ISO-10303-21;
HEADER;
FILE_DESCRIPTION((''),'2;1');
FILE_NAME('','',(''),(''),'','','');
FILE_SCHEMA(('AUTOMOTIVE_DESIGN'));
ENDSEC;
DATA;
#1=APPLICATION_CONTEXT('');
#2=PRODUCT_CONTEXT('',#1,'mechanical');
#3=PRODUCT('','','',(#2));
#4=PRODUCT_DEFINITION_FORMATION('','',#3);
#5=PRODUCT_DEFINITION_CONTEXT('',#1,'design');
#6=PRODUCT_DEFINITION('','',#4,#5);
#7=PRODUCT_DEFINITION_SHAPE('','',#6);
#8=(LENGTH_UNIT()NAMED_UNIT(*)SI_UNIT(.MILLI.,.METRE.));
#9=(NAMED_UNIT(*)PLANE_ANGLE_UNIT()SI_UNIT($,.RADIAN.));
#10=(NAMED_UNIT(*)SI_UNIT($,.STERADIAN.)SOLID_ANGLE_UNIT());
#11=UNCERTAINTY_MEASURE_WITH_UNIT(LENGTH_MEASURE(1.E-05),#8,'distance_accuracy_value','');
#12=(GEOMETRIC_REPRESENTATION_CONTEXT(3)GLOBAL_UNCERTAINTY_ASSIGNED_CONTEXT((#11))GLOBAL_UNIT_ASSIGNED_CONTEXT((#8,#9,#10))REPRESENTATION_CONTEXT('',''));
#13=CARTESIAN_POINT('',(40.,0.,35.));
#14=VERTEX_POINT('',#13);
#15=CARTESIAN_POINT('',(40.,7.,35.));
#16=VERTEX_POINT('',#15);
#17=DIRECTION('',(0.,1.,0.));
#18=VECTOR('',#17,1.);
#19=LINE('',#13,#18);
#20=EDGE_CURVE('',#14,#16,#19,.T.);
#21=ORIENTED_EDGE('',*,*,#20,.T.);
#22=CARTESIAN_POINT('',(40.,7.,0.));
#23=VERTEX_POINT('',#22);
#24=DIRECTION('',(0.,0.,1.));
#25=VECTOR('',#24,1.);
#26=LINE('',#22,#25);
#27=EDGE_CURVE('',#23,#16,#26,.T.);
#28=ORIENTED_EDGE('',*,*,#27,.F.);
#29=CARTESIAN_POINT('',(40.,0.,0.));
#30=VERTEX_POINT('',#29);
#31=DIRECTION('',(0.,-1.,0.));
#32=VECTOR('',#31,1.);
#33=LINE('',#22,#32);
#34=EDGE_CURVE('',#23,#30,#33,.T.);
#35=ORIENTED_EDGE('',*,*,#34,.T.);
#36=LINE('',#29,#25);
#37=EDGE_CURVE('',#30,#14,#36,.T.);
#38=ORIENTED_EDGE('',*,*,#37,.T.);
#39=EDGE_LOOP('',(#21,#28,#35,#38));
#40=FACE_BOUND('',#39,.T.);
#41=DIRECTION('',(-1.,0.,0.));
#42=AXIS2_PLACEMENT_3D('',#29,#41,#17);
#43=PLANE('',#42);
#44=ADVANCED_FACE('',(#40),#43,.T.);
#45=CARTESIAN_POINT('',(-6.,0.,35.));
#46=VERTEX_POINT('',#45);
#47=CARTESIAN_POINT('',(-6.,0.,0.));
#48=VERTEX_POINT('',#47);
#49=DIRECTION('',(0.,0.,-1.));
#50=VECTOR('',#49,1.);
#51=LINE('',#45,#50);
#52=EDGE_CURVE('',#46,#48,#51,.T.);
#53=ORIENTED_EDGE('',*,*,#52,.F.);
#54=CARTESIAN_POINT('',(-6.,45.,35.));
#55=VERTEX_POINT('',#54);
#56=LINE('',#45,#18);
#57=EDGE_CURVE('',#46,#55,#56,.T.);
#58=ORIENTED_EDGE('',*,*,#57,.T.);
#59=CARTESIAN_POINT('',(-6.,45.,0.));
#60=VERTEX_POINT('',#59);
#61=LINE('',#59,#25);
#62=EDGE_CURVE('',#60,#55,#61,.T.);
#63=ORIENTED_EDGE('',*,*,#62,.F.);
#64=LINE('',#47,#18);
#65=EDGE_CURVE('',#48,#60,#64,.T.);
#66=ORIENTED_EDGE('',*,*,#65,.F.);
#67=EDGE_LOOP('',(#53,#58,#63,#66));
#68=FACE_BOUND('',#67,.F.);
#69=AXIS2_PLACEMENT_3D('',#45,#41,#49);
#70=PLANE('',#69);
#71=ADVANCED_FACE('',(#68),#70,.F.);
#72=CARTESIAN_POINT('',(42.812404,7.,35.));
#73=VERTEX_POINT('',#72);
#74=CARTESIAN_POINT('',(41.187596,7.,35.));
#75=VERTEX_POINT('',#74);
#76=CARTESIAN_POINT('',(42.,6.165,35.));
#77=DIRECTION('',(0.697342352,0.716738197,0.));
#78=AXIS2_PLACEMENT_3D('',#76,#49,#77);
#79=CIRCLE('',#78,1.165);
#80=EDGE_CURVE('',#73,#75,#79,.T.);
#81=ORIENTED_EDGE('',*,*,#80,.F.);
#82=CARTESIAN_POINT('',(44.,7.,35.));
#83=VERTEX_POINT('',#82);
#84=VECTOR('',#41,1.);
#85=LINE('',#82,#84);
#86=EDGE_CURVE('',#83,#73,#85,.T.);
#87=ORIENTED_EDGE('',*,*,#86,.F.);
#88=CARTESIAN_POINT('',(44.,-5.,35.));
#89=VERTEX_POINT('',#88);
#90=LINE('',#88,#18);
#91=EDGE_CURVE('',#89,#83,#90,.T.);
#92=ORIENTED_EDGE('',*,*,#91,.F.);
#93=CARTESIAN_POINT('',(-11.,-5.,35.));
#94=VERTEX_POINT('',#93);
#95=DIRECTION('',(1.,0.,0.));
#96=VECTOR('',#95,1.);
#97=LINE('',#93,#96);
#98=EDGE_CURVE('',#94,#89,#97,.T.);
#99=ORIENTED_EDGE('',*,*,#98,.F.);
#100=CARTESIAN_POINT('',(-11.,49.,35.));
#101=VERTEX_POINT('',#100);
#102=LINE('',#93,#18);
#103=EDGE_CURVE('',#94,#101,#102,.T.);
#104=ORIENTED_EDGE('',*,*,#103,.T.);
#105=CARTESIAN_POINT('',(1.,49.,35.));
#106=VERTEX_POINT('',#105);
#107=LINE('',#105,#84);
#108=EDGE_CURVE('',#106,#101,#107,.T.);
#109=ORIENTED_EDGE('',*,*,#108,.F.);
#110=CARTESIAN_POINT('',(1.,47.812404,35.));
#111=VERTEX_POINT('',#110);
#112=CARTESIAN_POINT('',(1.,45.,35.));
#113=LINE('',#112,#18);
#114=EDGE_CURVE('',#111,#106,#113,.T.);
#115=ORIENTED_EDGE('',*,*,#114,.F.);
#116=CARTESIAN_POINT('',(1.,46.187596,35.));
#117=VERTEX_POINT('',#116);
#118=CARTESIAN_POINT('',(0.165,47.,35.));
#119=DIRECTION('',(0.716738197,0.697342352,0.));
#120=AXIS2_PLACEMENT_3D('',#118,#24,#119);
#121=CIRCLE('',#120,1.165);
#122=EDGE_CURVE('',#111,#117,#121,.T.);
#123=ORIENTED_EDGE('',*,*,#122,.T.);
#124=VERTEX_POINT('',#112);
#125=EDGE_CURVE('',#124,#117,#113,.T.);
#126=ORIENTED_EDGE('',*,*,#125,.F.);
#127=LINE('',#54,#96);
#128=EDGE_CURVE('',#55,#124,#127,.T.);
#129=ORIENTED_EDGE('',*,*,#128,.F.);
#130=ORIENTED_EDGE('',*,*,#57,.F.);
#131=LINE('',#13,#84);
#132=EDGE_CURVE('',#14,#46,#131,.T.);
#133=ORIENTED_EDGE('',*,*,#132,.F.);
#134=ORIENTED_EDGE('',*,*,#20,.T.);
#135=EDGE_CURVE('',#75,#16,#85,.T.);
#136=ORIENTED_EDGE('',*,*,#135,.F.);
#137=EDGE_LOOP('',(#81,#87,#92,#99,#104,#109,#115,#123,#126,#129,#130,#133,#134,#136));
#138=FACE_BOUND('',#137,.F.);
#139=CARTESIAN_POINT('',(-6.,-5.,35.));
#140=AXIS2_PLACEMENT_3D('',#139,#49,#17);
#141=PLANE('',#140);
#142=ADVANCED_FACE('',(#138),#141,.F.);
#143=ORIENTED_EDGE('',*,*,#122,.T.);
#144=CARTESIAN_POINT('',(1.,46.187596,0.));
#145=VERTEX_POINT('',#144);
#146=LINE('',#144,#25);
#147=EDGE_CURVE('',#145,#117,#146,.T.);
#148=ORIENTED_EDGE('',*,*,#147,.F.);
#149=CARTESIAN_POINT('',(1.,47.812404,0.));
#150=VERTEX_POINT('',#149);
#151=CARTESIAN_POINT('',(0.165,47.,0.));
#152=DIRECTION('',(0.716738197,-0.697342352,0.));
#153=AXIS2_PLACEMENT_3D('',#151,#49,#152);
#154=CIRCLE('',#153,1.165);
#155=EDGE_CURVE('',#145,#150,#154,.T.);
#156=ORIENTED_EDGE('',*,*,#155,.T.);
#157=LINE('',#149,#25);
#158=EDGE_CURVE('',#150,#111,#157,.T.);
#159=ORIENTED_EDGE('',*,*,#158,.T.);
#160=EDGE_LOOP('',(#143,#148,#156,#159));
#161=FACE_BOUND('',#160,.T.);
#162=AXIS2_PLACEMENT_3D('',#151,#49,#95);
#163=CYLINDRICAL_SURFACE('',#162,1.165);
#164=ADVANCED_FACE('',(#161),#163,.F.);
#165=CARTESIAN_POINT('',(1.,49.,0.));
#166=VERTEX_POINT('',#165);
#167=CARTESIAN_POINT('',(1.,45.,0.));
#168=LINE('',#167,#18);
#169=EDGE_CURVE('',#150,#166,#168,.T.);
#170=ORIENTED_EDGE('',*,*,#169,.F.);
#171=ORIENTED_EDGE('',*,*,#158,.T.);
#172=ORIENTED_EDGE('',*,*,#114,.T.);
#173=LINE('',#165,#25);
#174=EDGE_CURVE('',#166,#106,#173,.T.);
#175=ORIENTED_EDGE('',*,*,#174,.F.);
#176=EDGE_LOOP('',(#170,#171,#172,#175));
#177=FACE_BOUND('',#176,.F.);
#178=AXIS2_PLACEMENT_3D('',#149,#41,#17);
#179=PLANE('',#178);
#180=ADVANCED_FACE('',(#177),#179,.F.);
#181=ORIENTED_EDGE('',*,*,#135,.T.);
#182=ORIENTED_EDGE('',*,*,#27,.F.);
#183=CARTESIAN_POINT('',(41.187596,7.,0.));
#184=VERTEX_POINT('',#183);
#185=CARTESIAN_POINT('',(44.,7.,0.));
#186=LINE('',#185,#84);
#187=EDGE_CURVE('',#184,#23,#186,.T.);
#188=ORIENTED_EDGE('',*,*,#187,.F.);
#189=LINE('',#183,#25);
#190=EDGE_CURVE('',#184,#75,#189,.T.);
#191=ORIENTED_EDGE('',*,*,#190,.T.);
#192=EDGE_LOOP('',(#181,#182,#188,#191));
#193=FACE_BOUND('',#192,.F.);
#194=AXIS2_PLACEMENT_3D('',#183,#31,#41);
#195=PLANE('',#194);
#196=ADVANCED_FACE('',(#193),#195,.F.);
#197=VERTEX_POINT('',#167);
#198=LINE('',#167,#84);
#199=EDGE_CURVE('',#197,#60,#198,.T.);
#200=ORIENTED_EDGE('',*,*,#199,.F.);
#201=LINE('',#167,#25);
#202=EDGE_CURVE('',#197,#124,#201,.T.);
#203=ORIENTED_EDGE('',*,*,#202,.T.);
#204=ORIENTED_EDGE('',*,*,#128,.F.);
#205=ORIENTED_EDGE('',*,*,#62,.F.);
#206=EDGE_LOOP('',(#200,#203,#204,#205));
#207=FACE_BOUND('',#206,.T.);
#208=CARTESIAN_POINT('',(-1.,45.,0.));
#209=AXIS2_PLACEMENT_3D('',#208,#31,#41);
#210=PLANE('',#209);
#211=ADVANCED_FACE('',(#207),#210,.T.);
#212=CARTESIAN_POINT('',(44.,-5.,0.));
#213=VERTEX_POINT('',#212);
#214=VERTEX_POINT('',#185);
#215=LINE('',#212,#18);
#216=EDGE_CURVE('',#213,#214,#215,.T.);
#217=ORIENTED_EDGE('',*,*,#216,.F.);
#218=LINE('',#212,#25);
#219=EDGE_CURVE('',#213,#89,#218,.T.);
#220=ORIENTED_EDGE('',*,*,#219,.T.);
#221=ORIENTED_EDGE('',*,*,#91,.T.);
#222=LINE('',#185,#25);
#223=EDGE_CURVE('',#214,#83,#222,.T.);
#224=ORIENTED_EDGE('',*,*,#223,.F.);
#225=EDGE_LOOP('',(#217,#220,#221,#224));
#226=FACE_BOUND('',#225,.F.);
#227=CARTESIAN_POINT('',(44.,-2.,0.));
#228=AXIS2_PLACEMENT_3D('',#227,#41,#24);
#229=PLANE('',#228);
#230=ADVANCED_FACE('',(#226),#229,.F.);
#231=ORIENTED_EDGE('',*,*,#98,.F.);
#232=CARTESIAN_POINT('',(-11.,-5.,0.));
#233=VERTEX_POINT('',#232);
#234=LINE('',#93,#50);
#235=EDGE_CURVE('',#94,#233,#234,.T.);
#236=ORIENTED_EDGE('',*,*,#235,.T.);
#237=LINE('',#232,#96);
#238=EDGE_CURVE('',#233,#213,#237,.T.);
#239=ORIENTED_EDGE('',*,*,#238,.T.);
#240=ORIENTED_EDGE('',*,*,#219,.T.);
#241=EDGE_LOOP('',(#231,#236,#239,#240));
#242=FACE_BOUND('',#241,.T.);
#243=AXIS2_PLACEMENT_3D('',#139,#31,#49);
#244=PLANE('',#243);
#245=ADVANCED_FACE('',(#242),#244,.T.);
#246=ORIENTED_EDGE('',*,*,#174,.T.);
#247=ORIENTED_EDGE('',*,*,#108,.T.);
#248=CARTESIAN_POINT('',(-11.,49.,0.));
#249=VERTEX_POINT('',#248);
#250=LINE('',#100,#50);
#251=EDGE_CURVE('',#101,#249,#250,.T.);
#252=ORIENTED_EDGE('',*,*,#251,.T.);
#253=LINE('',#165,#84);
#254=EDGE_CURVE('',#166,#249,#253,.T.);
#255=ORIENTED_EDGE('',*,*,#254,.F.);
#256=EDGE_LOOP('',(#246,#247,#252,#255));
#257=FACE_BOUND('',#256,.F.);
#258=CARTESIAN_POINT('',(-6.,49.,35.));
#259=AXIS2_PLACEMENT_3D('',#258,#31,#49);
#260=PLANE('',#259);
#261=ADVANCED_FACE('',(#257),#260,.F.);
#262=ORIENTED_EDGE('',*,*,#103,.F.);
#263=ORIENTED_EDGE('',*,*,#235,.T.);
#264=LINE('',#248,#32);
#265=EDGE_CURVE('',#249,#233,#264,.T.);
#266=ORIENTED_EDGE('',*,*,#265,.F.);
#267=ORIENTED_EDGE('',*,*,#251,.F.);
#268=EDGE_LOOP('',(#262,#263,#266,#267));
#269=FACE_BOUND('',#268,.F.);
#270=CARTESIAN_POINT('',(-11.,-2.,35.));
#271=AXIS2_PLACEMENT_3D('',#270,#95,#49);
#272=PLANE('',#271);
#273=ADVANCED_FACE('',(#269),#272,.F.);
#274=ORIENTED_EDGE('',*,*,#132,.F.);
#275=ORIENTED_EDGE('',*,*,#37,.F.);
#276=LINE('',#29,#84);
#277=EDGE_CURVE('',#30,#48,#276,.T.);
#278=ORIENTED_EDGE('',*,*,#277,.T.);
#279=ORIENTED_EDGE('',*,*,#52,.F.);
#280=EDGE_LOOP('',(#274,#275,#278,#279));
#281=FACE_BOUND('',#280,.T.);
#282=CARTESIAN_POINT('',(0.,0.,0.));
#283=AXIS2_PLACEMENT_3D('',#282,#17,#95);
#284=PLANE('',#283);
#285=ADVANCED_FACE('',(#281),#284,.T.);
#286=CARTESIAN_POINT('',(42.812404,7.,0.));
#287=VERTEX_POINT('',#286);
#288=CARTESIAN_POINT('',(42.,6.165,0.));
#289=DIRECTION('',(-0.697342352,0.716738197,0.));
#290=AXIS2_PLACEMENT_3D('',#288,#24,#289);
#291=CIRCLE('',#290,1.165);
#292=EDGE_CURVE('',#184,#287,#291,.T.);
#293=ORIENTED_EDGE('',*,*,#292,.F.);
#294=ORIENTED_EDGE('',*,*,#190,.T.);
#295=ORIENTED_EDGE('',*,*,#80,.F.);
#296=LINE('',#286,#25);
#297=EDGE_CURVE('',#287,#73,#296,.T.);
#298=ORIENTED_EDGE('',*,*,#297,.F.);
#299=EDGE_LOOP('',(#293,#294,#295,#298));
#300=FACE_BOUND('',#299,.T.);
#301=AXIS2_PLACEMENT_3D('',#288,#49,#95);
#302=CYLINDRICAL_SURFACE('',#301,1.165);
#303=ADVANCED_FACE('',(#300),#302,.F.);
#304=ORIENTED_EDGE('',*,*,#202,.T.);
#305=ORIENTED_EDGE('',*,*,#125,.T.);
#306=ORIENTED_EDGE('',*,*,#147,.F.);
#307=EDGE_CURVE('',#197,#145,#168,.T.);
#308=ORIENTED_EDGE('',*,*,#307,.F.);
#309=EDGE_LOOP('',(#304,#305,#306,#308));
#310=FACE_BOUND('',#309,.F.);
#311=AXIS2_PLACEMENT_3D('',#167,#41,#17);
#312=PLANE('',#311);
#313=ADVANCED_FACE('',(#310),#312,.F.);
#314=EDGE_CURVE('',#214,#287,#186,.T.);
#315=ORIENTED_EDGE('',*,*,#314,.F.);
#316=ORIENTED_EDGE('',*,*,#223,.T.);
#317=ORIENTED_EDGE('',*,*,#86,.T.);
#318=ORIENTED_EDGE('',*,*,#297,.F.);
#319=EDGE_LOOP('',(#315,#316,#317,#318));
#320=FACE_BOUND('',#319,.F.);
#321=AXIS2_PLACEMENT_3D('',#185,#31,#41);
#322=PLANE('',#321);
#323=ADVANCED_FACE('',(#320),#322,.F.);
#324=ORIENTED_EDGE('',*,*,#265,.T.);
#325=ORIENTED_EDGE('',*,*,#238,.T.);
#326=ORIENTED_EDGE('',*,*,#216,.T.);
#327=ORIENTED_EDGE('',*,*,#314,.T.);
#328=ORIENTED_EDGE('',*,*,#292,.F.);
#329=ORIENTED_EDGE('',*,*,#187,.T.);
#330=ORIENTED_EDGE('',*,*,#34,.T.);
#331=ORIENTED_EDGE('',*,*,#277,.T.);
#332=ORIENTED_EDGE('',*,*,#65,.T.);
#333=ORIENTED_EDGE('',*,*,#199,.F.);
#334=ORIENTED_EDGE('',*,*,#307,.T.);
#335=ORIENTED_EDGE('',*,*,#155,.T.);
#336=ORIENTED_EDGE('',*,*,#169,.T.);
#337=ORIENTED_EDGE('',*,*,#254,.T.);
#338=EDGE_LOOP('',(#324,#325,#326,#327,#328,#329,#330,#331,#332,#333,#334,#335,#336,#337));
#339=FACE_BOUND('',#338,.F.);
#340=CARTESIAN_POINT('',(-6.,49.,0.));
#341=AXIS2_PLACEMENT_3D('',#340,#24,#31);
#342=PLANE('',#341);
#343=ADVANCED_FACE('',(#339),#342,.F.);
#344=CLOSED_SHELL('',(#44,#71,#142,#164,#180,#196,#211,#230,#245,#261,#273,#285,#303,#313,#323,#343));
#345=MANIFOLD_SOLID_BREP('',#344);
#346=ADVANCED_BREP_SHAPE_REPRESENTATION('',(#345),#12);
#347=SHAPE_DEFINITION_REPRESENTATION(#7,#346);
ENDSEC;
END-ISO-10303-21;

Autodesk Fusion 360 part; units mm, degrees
sketch "Sketch1" plane through (0, 0, 0) normal (0, 1, 0) x (1, 0, 0)
  line L0 (0, 0) -> (44, 0)
  line L1 (44, 0) -> (44, -35)
  line L2 (44, -35) -> (0, -35)
  line L3 (0, -35) -> (0, 0)
  line L4 (0, 0) -> (-5, 0)
  line L5 (0, -35) -> (-5, -35)
  line L6 (-5, -35) -> (-5, 0)
  dimension "d1" = 44
  dimension "d2" = 35
  dimension "d3" = 5
  dimension "d4" = 5
extrude "Extrude1" add sketch "Sketch1" along normal blind 49 contours L3 L4 L5 L6 makes body 1
sketch "Sketch2" plane through (0, 0, 0) normal (0, 1, 0) x (1, 0, 0)
  line L0 (0, 0) -> (44, 0)
  line L1 (44, 0) -> (44, -35)
  line L2 (44, -35) -> (0, -35)
  line L3 (0, -35) -> (0, 0)
  dimension "d7" = 44
extrude "Extrude2" add sketch "Sketch2" against normal blind 2 separate body makes body 2
extrude "Extrude3" add 1 faces at (-3.3333, 0, 11.6667) along direction (0, -1, 0) blind 2 on bodies 1 bodies 1 2
extrude "Extrude4" cut 1 faces at (-5, 15, 23.3333) along direction (1, 0, 0) blind 3 on bodies 1 bodies 1
extrude "Extrude5" add 1 faces at (14, -2, 11.6667) along direction (0, -1, 0) blind 3 on bodies 1 bodies 1
extrude "Extrude6" add 1 faces at (-2, 13, 11.6667) along direction (-1, 0, 0) blind 3 on bodies 1 bodies 1
sketch "Sketch3" plane through (0, 0, 0) normal (0, 0, 1) x (1, 0, 0)
  line L0 (40, 0) -> (44, 0)
  line L1 (0, 49) -> (7, 49)
  curve L2
  curve L3
  curve L4
  curve L5
  curve L6
  curve L7
  curve L8
  curve L9
  curve L10
  curve A0
  curve A1
  curve L11
  curve L12
  curve L13
  curve L14
  curve L15
  curve L16
  curve L17
  curve L18
  curve L19
  curve L20
  curve L21
  curve L22
  curve A2
  curve L23
  line L24 (40, 0) -> (0, 0)
  line L25 (0, 0) -> (0, 45)
  line L26 (40, 0) -> (0, 0)
  line L27 (0, 0) -> (0, 45)
  line L28 (44, 0) -> (40, 0)
  line L29 (40, 0) -> (40, 5)
  line L30 (40, 5) -> (44, 5)
  line L31 (44, 5) -> (44, 0)
  line L32 (40, 5) -> (44, 5)
  line L33 (44, 5) -> (44, 7)
  line L34 (44, 7) -> (40, 7)
  line L35 (40, 7) -> (40, 5)
  circle A3 centre (42, 6.165) radius 1.165
  point P0 (44, 0)
  point P1 (44, 0)
  point P2 (0.0061, 44.9497)
  dimension "d77" = 5
  dimension "d78" = 4
  dimension "d79" = 2
  dimension "d80" = 2.33
extrude "Extrude9" add sketch "Sketch3" along normal blind 35 contours L0 L28 L29 L30 L31 L32 | L30 L32 L34 L35 A3 | L30 L32 L33 L34 A3 bodies 1
extrude "Extrude10" cut 1 faces at (0, 16.3333, 23.3333) along direction (-1, 0, 0) blind 1 on bodies 1 bodies 1
extrude "Extrude11" add 1 faces at (-5, 13, 11.6667) along direction (-1, 0, 0) blind 1 on bodies 1 bodies 1
extrude "Extrude13" add 1 faces at (-6, 13, 11.6667) along direction (-1, 0, 0) blind 5 on bodies 1 bodies 1
extrude "Extrude14" cut 1 faces at (-1, 16.3333, 23.3333) along direction (-1, 0, 0) blind 5 on bodies 1 bodies 1
sketch "Sketch5" plane through (0, 0, 0) normal (0, 0, 1) x (1, 0, 0)
  line L0 (1, 49) -> (-1, 49)
  line L1 (1, 45) -> (1, 49)
  line L2 (-1, 45) -> (1, 45)
  circle A0 centre (0.165, 47) radius 1.165
  line L3 (-1, 49) -> (-1, 45)
  line L4 (-6, 49) -> (-1, 49)
  line L5 (-6, 45) -> (-6, 49)
  line L6 (-6, 49) -> (-6, 45)
  line L7 (-1, 45) -> (-6, 45)
  line L8 (-1, 49) -> (-1, 45)
  point P0 (-6, 49)
  point P1 (-6, 45)
  point P2 (-6, 45)
  dimension "d87" = 5
  dimension "d88" = 4
  dimension "d89" = 2
  dimension "d90" = 2.33
extrude "Extrude15" add sketch "Sketch5" along normal blind 35 contours L0 L1 A0 L3 L8 | L3 L4 L5 L6 L7 L8 | L1 L2 A0 L3 L8 bodies 1
extrude "Extrude12" [suppressed]
extrude "Extrude7" [suppressed]
sketch "Sketch4" plane through (0, 0, 0) normal (0, 0, 1) x (1, 0, 0)
  line L0 (7.33, 45) -> (7.33, 49)
  line L1 (9.33, 49) -> (7.33, 49)
  line L2 (0, 49) -> (0, 45)
  line L3 (0, 45) -> (7.33, 45)
  line L4 (7.33, 45) -> (7.33, 49)
  line L5 (9.33, 45) -> (9.33, 49)
  line L6 (0, 45) -> (7.33, 45)
  line L7 (7.33, 49) -> (0, 49)
  line L8 (7.33, 49) -> (7.33, 45)
  circle A0 centre (8.495, 47) radius 1.165
  circle A1 centre (8.495, 47) radius 1.165
  line L9 (9.33, 45) -> (9.33, 49)
  line L10 (7.33, 49) -> (0, 49)
  line L11 (7.33, 49) -> (7.33, 45)
  line L12 (7.33, 45) -> (9.33, 45)
  line L13 (7.33, 45) -> (7.33, 49)
  line L14 (9.33, 49) -> (7.33, 49)
  line L15 (7.33, 45) -> (9.33, 45)
  line L16 (7.33, 45) -> (9.33, 45)
  line L17 (7.33, 49) -> (0, 49)
  line L18 (0, 45) -> (7.33, 45)
  line L19 (7.33, 49) -> (7.33, 45)
  line L20 (9.33, 45) -> (9.33, 49)
  circle A2 centre (8.495, 47) radius 1.165
  line L21 (9.33, 49) -> (7.33, 49)
  point P0 (0, 45)
  dimension "d66" = 7.33
  dimension "d67" = 4
  dimension "d68" = 2
  dimension "d69" = 7.33
  dimension "d70" = 4
  dimension "d71" = 2
  dimension "d72" = 7.33
  dimension "d73" = 4
  dimension "d74" = 2
extrude "Extrude8" [suppressed]
